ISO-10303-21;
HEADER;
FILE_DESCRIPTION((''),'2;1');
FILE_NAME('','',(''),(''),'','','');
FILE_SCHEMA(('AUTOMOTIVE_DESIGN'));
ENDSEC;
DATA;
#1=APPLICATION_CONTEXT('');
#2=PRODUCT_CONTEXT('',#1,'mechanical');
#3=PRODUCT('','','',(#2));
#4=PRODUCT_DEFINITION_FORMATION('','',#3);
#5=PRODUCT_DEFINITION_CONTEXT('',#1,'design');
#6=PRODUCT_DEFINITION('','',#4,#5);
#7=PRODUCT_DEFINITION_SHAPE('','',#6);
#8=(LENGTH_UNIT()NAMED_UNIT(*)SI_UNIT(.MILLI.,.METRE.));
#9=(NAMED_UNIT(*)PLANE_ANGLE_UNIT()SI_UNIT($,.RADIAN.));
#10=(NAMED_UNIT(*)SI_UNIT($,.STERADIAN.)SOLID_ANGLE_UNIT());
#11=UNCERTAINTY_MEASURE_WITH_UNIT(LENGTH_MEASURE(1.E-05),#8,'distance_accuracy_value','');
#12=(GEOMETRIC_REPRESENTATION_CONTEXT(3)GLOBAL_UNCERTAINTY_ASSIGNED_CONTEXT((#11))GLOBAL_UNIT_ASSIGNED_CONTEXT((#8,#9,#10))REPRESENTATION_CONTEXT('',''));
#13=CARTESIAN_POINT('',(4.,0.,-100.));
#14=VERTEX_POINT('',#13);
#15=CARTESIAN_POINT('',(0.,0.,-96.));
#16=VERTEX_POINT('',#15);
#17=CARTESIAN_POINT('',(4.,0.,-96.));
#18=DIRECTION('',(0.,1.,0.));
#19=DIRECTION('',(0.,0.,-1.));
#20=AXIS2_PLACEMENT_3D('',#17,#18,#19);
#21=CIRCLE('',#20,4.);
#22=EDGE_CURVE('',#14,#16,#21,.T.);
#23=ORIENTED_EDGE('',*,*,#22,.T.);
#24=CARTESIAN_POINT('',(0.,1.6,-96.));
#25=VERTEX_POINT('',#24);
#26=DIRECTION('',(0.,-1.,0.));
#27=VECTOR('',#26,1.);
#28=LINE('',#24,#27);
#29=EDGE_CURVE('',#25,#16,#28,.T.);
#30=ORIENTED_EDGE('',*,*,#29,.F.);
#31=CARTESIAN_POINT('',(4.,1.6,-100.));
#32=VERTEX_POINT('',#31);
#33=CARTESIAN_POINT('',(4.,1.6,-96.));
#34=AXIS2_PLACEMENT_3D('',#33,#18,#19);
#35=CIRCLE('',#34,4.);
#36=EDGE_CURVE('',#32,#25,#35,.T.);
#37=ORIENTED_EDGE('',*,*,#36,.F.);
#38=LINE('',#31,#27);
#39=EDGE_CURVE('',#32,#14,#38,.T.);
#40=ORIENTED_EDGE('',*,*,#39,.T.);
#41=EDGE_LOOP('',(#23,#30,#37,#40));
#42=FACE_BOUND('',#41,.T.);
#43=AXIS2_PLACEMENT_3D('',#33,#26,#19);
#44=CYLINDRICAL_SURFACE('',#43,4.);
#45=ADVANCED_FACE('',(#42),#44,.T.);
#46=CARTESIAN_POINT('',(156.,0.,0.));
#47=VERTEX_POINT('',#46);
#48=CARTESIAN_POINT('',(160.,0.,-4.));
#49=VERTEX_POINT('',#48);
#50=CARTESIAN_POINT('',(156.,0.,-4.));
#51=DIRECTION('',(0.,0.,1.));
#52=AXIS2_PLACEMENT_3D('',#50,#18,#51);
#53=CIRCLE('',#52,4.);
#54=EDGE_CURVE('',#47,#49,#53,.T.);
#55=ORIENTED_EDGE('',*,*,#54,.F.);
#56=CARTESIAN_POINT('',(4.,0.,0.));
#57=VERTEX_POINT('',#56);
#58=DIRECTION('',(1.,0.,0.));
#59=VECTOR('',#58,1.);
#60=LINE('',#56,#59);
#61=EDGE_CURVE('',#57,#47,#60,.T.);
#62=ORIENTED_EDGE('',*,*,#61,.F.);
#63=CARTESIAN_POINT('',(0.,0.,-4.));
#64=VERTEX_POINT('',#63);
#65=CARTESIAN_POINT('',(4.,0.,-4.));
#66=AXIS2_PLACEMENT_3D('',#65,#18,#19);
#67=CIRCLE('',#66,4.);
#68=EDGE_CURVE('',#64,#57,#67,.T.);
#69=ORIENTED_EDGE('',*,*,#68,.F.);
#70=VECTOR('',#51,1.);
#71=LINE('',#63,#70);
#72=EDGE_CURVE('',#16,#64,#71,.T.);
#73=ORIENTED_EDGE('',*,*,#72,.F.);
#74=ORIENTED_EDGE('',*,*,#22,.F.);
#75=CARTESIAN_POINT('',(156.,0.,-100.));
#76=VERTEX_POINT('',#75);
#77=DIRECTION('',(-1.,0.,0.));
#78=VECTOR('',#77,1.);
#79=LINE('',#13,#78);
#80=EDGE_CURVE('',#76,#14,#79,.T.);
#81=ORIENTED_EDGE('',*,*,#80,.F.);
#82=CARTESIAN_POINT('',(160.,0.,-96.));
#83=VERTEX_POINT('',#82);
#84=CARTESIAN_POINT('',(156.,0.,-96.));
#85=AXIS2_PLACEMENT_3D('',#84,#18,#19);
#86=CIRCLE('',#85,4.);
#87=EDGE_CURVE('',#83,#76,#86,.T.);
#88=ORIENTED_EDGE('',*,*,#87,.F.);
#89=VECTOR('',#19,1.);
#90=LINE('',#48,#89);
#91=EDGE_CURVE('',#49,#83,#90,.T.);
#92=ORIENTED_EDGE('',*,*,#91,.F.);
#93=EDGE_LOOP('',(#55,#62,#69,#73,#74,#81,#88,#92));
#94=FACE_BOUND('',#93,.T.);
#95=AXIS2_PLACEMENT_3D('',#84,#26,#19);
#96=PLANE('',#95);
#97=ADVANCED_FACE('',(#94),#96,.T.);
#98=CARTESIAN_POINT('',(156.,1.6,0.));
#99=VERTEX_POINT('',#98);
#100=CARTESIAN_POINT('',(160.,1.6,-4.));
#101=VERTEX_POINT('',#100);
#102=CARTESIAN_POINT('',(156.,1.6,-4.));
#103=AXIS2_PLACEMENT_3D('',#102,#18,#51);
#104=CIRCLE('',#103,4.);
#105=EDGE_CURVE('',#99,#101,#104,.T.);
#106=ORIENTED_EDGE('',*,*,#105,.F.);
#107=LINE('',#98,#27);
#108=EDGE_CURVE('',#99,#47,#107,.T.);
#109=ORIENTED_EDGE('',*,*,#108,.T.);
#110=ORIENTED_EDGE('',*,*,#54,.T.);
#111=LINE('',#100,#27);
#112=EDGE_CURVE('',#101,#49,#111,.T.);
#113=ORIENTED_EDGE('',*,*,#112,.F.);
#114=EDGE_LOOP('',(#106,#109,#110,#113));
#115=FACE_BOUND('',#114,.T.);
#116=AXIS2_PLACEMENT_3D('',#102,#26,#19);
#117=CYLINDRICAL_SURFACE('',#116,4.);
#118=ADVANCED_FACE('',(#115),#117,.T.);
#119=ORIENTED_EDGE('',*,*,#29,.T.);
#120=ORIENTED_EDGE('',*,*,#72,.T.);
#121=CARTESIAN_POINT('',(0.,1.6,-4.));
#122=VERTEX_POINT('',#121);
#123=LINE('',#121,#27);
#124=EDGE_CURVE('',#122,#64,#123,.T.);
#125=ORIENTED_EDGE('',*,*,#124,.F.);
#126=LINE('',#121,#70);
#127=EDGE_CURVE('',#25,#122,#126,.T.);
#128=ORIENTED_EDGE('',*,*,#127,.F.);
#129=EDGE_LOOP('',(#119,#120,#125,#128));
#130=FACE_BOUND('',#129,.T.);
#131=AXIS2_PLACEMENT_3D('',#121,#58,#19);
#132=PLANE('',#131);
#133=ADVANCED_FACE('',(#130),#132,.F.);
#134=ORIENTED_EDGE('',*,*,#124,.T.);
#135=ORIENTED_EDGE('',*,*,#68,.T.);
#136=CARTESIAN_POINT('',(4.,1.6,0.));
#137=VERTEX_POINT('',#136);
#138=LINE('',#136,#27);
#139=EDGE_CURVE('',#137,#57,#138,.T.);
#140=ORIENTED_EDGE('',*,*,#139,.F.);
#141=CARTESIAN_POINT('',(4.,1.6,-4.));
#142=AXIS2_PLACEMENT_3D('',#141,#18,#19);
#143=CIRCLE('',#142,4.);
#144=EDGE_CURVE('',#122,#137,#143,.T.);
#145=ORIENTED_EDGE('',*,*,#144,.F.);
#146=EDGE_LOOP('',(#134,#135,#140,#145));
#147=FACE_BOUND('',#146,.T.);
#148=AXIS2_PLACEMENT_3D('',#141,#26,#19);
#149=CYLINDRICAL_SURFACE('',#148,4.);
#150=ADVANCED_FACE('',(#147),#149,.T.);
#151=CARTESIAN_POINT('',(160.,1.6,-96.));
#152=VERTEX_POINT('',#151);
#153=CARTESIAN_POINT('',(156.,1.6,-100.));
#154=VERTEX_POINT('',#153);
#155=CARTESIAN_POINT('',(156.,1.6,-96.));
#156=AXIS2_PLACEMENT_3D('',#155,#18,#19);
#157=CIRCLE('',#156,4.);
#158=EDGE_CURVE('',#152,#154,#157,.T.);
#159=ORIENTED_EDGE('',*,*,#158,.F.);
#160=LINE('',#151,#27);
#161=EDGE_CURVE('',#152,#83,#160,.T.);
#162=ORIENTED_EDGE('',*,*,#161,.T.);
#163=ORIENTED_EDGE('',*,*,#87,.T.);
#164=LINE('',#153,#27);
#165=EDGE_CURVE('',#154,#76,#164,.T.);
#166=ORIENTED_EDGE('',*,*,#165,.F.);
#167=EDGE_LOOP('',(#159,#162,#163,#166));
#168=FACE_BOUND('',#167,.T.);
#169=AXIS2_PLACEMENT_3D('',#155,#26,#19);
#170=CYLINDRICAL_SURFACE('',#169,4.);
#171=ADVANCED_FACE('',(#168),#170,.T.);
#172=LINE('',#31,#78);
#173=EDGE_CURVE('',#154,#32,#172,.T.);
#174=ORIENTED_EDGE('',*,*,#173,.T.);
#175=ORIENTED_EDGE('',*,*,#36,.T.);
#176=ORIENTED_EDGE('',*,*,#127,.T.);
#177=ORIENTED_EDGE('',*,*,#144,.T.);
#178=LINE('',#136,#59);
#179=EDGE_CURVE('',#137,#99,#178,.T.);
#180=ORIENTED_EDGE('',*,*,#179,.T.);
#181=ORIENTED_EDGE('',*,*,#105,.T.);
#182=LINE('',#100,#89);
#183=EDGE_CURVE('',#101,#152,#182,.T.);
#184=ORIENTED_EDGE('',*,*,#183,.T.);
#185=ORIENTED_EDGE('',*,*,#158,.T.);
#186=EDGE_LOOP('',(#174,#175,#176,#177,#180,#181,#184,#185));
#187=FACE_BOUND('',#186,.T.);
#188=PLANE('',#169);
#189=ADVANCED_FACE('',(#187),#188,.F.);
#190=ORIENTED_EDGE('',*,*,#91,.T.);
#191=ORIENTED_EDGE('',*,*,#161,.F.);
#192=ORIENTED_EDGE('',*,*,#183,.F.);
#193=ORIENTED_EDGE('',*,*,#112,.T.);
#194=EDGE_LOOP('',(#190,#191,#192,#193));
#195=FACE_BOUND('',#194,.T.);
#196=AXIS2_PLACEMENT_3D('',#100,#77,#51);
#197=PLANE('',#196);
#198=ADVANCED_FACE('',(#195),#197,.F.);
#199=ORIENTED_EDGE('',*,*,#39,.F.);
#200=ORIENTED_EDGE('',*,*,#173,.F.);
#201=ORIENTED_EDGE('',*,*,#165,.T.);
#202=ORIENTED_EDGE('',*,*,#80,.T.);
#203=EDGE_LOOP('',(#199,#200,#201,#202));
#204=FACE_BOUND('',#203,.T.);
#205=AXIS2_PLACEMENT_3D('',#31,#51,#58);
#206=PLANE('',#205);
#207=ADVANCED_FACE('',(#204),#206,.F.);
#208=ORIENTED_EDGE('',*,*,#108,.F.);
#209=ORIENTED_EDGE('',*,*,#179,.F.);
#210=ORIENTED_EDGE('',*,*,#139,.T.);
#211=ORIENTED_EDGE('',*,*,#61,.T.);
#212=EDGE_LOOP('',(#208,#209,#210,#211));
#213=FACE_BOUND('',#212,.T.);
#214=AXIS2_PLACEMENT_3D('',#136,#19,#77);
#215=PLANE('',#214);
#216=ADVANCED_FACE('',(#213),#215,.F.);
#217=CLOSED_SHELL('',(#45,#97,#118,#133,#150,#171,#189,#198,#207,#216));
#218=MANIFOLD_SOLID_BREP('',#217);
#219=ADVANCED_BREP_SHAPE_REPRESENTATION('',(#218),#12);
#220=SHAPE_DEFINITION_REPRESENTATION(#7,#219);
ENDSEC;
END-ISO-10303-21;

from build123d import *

# Parameters (mm, degrees)
AUFSATZ_LINEAR_AUSTRAGEN1_DEPTH = 1.6


with BuildPart() as part:
    # Skizze1 → Aufsatz-Linear austragen1 (new body)
    with BuildSketch(Plane(origin=(0, 0, 0), x_dir=(1, 0, 0), z_dir=(0, 1, 0))):
        with BuildLine():
            Line((4, 0), (156, 0))
            ThreePointArc((156, 0), (158.828427125, 1.171572875), (160, 4))
            Line((160, 4), (160, 96))
            ThreePointArc((160, 96), (158.828427125, 98.828427125), (156, 100))
            Line((156, 100), (4, 100))
            ThreePointArc((4, 100), (1.171572875, 98.828427125), (0, 96))
            Line((0, 96), (0, 4))
            ThreePointArc((0, 4), (1.171572875, 1.171572875), (4, 0))
        make_face()
    extrude(amount=AUFSATZ_LINEAR_AUSTRAGEN1_DEPTH)


solid = part.part
